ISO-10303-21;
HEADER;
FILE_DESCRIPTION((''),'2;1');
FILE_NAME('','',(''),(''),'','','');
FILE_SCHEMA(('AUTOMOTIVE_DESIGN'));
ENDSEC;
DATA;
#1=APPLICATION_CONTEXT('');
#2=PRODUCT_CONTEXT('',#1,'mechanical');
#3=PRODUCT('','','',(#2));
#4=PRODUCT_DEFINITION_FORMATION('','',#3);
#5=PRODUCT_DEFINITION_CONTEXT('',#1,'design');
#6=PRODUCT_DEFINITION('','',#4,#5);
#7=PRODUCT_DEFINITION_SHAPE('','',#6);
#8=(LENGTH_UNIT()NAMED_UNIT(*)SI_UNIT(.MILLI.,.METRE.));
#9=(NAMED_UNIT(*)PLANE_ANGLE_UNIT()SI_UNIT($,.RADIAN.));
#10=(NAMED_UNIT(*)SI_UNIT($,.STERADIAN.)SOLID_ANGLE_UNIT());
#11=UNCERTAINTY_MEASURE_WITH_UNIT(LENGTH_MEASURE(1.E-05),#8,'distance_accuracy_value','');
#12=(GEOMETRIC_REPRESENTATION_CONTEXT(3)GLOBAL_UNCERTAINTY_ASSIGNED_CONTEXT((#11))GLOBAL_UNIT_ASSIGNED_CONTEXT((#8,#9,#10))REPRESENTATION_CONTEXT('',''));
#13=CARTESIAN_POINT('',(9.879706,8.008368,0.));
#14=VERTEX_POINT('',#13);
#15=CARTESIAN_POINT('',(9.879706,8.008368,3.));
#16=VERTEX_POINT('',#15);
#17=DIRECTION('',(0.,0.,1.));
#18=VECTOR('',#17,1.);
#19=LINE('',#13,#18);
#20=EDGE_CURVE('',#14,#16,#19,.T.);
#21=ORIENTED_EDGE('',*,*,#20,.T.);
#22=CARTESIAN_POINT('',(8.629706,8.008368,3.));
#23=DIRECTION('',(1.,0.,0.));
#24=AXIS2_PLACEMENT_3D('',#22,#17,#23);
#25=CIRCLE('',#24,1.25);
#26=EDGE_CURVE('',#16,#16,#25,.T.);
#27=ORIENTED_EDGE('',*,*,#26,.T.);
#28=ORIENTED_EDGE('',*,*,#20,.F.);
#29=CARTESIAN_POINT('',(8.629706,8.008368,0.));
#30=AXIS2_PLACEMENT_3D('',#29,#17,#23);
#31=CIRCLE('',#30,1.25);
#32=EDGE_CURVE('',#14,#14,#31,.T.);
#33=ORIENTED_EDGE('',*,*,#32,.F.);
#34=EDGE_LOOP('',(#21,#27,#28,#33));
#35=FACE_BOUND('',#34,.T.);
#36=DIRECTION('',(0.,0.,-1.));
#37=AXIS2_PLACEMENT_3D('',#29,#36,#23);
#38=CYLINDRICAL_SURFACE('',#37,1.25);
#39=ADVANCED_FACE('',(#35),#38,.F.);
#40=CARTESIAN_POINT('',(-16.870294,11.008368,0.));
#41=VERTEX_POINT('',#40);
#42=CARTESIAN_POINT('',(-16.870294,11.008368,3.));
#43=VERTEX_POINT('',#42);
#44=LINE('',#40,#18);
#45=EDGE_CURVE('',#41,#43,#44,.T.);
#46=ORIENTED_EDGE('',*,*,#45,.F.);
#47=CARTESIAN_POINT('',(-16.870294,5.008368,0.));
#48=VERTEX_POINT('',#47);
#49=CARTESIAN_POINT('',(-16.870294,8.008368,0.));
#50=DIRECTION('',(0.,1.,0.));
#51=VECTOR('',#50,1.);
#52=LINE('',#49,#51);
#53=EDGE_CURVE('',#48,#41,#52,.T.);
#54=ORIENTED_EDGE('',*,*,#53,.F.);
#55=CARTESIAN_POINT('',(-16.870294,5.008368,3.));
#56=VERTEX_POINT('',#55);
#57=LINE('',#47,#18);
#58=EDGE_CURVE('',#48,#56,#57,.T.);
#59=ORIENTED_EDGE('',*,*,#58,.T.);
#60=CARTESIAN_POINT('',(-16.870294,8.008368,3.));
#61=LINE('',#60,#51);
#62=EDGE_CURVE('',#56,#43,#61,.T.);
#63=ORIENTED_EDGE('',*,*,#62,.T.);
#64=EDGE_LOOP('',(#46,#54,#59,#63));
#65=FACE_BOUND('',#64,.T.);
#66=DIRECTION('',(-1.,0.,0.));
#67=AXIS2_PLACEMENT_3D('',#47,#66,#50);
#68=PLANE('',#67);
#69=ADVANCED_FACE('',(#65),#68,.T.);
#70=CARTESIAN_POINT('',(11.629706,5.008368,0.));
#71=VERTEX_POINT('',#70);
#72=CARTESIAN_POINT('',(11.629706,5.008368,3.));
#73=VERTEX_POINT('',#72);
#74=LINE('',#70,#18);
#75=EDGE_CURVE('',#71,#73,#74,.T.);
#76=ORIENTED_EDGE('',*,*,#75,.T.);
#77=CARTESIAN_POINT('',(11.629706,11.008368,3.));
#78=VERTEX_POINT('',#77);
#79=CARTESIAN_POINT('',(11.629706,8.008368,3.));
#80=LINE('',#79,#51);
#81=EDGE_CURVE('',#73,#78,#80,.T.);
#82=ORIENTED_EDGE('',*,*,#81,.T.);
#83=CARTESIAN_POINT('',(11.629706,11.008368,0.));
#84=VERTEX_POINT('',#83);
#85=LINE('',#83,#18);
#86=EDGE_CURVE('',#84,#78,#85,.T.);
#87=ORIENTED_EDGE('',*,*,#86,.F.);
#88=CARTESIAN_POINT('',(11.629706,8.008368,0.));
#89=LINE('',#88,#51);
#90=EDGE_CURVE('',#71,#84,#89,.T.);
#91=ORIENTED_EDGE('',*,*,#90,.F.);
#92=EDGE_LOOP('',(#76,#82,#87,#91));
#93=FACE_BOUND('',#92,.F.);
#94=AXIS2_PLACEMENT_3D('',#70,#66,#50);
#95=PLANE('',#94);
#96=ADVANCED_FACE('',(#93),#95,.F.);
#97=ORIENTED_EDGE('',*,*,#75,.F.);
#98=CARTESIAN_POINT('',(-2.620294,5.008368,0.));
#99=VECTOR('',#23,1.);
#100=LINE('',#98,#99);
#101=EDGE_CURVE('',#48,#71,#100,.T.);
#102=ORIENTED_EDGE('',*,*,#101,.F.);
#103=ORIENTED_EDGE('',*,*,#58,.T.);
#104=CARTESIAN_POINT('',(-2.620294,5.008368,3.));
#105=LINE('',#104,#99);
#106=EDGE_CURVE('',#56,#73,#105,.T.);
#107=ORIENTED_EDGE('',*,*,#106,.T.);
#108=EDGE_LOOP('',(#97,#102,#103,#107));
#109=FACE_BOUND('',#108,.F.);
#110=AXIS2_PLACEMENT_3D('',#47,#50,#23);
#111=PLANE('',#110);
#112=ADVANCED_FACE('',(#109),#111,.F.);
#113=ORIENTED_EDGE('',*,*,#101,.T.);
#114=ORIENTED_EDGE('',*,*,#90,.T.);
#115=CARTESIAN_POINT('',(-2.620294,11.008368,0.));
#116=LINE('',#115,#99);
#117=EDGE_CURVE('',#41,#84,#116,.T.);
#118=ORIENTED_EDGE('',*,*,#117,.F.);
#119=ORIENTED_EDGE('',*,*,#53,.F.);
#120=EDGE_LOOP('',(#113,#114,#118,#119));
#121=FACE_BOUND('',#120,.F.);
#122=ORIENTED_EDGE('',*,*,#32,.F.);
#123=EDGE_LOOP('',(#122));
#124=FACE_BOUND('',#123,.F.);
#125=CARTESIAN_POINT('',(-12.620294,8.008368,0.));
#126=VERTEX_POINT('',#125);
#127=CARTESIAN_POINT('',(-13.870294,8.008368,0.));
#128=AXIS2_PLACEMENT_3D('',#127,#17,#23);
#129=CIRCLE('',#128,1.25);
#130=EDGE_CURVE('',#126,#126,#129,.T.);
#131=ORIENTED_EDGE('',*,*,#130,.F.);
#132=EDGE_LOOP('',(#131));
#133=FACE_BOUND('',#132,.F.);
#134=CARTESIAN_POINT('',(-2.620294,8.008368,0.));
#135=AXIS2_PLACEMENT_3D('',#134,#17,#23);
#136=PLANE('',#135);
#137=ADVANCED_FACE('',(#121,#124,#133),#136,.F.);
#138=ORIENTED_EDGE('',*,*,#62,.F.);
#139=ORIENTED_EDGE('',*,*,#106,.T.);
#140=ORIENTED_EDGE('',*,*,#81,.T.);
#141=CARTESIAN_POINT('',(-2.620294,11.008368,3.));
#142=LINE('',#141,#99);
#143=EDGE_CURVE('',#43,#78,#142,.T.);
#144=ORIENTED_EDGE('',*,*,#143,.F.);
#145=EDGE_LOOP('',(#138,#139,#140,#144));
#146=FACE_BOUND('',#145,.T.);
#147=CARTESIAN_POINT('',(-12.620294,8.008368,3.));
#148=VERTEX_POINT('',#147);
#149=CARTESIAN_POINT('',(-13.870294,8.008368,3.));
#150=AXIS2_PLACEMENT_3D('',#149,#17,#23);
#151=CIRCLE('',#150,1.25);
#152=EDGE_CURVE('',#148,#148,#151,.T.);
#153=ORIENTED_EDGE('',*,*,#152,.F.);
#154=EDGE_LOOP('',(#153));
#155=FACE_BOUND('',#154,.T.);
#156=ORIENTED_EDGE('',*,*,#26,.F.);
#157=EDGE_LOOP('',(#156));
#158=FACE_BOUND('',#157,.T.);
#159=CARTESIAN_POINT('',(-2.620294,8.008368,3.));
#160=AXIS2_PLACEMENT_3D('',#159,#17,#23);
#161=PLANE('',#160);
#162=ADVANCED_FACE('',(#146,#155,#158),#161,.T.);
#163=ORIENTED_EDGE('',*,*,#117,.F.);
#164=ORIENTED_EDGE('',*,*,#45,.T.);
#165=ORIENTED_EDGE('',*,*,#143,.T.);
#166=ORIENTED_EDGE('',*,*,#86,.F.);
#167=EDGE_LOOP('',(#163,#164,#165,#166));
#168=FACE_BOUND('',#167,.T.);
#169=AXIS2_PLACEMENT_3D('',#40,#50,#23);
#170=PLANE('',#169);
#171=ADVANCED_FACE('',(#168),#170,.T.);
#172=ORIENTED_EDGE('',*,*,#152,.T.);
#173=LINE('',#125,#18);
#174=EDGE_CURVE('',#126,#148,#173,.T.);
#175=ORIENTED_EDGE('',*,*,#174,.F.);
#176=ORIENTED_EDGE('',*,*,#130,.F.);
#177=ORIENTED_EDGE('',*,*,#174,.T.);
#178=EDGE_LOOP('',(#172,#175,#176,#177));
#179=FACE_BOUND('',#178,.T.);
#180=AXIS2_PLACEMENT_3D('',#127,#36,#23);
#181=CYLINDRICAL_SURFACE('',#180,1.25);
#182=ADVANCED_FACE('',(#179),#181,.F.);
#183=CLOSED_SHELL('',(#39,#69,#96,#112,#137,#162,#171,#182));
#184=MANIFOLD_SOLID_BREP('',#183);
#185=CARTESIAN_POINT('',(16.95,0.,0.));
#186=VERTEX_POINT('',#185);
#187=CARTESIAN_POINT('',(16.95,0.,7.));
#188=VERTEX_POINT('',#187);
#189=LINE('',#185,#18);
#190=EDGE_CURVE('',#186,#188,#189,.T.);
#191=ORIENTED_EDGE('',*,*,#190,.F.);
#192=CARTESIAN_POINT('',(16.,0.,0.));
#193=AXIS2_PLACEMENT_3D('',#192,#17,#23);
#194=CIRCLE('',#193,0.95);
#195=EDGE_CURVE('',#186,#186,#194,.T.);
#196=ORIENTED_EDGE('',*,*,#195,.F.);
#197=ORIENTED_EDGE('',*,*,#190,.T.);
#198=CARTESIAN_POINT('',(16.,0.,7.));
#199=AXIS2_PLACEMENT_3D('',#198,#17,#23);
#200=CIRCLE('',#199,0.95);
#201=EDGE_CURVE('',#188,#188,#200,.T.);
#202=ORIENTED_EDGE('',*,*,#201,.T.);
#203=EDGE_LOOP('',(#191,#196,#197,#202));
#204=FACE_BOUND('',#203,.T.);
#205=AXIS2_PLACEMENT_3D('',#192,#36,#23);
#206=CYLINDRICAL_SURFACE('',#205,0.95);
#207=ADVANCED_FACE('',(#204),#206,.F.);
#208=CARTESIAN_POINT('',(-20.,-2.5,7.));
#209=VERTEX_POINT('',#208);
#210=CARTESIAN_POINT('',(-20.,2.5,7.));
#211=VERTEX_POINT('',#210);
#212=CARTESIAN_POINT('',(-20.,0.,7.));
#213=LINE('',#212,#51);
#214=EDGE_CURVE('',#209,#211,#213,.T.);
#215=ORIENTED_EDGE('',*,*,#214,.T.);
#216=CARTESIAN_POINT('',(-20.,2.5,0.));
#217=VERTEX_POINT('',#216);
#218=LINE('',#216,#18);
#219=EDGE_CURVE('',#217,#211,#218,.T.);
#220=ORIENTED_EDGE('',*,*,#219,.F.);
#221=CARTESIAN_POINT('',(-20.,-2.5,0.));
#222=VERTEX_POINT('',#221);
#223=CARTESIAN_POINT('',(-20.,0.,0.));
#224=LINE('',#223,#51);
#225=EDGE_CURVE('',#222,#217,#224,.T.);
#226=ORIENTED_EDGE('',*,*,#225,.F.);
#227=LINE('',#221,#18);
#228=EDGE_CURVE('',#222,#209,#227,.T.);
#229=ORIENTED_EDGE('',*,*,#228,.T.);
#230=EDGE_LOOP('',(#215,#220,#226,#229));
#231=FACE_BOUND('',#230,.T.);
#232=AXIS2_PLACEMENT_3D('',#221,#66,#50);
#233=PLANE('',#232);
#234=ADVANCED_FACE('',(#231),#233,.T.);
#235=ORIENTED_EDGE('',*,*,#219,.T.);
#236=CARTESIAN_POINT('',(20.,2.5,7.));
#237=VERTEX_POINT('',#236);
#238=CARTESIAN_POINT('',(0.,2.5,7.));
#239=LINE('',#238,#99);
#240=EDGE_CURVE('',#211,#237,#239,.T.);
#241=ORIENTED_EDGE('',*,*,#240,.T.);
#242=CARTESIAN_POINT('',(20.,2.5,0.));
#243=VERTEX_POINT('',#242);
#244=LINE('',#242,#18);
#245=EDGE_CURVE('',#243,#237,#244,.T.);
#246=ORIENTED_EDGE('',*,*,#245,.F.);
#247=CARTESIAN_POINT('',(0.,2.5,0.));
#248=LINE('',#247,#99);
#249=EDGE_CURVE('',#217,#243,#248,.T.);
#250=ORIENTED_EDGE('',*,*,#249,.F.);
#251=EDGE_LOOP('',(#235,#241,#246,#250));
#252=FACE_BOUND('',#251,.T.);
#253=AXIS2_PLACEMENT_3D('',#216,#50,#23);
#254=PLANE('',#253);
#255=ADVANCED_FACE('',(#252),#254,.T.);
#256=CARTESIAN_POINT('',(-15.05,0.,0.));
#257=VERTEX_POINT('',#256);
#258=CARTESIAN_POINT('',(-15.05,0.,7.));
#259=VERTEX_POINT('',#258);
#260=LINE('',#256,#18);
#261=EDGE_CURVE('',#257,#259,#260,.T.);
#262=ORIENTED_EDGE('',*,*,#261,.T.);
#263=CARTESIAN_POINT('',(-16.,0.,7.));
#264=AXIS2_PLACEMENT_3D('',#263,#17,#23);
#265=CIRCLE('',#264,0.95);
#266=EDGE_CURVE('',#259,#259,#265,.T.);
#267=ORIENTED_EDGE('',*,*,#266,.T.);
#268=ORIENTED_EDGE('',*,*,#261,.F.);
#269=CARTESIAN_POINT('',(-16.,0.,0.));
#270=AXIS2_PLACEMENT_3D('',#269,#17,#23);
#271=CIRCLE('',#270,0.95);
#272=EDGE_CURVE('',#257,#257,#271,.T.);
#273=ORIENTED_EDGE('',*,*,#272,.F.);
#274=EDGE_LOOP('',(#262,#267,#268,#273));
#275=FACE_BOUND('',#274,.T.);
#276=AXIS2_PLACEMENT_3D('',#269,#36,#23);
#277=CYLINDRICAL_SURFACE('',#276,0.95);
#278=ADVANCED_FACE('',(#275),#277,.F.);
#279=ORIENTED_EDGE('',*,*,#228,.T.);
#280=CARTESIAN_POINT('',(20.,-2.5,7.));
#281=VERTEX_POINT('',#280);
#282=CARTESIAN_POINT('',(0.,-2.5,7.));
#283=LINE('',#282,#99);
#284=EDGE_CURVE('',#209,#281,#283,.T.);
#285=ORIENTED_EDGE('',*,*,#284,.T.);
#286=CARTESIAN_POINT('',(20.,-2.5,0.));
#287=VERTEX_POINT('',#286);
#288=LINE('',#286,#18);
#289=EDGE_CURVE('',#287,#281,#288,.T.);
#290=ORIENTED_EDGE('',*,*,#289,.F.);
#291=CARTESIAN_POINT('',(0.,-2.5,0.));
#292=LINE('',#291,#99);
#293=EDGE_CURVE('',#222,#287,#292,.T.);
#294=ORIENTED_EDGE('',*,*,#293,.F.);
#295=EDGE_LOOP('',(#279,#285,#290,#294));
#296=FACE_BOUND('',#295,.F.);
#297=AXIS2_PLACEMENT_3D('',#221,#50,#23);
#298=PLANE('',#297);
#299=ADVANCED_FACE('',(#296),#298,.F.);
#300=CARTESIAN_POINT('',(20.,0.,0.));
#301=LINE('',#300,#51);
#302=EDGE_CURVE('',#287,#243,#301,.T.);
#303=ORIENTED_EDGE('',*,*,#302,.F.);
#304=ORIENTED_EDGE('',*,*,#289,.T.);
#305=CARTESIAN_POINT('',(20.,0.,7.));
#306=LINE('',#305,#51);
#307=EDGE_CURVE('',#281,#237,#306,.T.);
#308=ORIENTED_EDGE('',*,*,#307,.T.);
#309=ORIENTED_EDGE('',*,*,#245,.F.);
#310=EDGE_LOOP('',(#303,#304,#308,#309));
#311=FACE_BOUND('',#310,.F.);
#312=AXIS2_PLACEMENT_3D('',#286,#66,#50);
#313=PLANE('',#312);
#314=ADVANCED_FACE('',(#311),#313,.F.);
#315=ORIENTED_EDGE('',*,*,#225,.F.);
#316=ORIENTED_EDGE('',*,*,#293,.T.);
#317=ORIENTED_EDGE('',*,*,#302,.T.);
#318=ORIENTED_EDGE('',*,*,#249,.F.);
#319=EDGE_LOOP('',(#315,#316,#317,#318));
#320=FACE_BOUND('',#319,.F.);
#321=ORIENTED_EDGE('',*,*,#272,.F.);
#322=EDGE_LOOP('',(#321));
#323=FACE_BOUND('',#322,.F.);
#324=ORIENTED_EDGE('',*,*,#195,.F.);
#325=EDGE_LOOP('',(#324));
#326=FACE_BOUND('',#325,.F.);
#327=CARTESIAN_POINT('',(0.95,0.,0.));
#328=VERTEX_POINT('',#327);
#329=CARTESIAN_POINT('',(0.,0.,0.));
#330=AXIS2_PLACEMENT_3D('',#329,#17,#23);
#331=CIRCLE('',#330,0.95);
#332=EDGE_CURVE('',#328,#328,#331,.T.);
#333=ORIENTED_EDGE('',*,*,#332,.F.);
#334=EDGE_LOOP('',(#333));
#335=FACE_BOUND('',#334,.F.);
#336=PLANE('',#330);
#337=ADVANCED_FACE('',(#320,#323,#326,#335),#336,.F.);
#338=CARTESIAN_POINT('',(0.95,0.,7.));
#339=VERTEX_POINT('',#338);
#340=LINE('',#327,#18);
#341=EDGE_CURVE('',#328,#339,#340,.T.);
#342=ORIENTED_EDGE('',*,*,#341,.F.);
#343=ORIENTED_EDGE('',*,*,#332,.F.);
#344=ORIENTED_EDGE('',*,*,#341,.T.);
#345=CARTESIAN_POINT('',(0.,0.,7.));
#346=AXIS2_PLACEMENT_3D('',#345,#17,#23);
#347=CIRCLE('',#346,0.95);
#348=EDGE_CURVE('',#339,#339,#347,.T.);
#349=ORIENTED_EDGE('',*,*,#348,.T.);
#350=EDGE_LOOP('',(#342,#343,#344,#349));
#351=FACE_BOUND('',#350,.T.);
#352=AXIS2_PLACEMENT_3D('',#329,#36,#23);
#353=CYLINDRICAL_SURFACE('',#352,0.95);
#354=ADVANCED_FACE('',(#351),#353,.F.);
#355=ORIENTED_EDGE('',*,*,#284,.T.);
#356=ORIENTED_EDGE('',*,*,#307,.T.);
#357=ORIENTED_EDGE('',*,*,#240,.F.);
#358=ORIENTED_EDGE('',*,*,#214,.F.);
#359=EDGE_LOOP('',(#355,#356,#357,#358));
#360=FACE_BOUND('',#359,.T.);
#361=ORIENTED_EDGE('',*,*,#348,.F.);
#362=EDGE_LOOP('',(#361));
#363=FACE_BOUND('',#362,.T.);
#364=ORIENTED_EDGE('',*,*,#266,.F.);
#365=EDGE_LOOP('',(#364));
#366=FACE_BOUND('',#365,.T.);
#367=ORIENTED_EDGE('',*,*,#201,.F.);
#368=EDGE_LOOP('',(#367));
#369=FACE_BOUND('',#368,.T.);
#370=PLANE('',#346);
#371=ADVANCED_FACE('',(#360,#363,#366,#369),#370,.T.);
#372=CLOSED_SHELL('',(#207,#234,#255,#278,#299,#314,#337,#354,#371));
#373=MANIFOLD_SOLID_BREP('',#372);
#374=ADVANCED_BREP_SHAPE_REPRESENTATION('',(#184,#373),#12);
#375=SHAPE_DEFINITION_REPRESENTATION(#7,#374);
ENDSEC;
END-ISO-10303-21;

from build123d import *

# Parameters (mm, degrees)
F0_W     = 40
F0_H     = 5
F0_R     = 0.95
F1_DEPTH = 7
F2_W     = 28.5
F2_H     = 6
F2_R     = 1.25
F3_DEPTH = 3


with BuildPart() as f1:
    # F0 (on Top) → F1 (new body)
    with BuildSketch(Plane.XY):
        Rectangle(F0_W, F0_H)
        with Locations((-16, 0)):
            Circle(F0_R, mode=Mode.SUBTRACT)
        Circle(F0_R, mode=Mode.SUBTRACT)
        with Locations((16, 0)):
            Circle(F0_R, mode=Mode.SUBTRACT)
    extrude(amount=F1_DEPTH)


with BuildPart() as f3:
    # F2 (on Top) → F3 (new body)
    with BuildSketch(Plane.XY):
        with Locations((-2.620294, 8.008368)):
            Rectangle(F2_W, F2_H)
        with Locations((-13.870294, 8.008368)):
            Circle(F2_R, mode=Mode.SUBTRACT)
        with Locations((8.629706, 8.008368)):
            Circle(F2_R, mode=Mode.SUBTRACT)
    extrude(amount=F3_DEPTH)


solid = Compound([f1.part, f3.part])
